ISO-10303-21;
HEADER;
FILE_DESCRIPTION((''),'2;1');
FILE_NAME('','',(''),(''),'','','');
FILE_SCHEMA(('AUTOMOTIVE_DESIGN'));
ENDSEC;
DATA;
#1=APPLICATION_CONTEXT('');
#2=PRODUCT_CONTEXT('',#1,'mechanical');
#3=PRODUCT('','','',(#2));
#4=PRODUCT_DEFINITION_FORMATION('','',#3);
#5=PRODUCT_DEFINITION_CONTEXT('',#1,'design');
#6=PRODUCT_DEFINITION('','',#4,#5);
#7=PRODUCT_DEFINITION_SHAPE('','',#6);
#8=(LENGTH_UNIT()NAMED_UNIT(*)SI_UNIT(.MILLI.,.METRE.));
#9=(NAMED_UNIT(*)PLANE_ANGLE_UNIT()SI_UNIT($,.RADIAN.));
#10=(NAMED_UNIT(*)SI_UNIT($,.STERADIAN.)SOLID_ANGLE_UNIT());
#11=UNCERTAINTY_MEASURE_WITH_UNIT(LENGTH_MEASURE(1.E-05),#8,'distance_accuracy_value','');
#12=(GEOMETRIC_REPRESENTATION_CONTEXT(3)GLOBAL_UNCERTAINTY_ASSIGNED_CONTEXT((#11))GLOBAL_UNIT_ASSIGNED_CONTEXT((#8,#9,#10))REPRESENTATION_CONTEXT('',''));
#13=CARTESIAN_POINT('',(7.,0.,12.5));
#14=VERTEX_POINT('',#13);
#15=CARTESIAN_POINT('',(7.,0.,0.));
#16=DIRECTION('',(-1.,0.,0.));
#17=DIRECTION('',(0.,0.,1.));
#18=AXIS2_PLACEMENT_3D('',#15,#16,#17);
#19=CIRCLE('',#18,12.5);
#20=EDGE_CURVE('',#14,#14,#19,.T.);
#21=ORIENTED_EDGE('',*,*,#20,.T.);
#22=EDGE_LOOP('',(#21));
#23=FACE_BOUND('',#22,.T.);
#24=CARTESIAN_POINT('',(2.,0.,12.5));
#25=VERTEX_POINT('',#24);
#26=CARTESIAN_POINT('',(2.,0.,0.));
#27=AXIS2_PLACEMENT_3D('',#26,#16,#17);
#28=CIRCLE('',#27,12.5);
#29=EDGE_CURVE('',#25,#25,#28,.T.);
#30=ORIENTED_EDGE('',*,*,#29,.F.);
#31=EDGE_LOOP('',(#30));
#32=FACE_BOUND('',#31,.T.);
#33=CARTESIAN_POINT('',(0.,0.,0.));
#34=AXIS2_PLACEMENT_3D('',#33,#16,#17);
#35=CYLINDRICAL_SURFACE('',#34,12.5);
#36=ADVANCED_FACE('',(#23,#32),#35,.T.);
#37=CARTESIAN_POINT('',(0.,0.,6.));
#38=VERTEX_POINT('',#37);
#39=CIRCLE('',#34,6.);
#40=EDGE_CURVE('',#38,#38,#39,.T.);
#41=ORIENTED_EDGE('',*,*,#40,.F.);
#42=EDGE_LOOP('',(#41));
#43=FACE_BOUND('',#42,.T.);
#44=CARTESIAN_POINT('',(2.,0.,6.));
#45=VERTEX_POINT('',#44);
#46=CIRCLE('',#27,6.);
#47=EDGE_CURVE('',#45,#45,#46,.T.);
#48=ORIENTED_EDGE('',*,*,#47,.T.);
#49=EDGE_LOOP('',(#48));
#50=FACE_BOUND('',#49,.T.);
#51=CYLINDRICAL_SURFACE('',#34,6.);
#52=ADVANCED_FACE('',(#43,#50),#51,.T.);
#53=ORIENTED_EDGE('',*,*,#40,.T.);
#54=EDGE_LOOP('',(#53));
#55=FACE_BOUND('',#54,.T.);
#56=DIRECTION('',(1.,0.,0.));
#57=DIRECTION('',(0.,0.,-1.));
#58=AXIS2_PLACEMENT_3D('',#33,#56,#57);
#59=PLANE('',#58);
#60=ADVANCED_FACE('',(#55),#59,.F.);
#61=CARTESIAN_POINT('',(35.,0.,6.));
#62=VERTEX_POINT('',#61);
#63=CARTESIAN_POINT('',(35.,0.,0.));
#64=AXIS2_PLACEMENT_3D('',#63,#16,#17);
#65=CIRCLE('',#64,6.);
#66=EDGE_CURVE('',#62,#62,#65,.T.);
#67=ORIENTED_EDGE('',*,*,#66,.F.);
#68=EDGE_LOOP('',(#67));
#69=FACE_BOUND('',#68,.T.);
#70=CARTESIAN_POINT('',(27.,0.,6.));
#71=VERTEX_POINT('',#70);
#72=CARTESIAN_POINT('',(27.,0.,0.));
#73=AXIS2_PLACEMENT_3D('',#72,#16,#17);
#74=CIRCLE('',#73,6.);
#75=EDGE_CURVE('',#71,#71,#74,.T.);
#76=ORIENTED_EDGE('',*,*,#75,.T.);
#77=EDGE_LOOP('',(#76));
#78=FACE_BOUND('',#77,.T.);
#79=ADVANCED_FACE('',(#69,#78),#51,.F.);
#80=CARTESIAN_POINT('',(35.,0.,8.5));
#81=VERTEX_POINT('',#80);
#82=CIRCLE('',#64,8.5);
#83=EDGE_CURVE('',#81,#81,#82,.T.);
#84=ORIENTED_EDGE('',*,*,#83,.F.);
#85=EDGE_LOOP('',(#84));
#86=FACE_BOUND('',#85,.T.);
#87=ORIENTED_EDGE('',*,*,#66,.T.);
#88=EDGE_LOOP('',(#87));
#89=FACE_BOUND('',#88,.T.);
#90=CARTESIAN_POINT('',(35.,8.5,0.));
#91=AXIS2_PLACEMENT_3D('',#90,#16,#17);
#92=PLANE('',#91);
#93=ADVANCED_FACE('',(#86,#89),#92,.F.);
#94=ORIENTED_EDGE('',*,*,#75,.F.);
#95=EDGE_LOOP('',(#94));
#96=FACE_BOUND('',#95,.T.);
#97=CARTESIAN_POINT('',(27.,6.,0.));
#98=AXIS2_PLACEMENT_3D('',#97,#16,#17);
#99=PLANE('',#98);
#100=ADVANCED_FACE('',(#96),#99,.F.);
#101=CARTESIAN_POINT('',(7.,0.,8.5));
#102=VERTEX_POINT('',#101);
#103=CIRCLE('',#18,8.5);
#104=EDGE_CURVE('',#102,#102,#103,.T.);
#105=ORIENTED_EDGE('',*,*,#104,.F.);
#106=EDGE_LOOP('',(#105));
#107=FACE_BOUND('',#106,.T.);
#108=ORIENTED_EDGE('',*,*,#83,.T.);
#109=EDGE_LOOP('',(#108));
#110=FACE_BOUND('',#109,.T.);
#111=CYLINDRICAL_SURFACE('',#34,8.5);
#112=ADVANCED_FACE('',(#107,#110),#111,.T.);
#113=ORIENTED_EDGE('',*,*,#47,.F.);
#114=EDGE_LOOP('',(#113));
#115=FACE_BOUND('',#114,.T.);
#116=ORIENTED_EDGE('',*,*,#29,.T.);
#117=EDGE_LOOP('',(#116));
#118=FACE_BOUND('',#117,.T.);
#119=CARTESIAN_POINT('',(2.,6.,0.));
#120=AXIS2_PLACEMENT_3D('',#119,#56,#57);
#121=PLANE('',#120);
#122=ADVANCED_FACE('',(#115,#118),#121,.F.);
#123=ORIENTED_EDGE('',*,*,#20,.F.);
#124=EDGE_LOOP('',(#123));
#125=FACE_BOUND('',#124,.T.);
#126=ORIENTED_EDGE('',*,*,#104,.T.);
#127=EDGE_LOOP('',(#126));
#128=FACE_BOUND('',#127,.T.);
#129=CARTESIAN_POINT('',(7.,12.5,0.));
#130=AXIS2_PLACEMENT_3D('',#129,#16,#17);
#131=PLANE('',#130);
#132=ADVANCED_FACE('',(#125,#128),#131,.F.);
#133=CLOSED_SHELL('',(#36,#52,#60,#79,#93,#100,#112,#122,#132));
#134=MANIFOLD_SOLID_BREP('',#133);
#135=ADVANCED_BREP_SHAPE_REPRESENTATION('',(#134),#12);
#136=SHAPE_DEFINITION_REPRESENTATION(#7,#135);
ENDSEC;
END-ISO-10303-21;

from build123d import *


with BuildPart() as part:
    # Эскиз1 → Повернуть1 (revolve)
    with BuildSketch(Plane.XY, mode=Mode.PRIVATE) as revolve_1_sk:
        Polygon((0, 0), (0, 6), (2, 6), (2, 12.5), (7, 12.5), (7, 8.5), (35, 8.5), (35, 6), (27, 6), (27, 0), align=None)
    revolve(revolve_1_sk.sketch.rotate(Axis((0, 0, 0), (1, 0, 0)), 90), axis=Axis((0, 0, 0), (1, 0, 0)))


solid = part.part
